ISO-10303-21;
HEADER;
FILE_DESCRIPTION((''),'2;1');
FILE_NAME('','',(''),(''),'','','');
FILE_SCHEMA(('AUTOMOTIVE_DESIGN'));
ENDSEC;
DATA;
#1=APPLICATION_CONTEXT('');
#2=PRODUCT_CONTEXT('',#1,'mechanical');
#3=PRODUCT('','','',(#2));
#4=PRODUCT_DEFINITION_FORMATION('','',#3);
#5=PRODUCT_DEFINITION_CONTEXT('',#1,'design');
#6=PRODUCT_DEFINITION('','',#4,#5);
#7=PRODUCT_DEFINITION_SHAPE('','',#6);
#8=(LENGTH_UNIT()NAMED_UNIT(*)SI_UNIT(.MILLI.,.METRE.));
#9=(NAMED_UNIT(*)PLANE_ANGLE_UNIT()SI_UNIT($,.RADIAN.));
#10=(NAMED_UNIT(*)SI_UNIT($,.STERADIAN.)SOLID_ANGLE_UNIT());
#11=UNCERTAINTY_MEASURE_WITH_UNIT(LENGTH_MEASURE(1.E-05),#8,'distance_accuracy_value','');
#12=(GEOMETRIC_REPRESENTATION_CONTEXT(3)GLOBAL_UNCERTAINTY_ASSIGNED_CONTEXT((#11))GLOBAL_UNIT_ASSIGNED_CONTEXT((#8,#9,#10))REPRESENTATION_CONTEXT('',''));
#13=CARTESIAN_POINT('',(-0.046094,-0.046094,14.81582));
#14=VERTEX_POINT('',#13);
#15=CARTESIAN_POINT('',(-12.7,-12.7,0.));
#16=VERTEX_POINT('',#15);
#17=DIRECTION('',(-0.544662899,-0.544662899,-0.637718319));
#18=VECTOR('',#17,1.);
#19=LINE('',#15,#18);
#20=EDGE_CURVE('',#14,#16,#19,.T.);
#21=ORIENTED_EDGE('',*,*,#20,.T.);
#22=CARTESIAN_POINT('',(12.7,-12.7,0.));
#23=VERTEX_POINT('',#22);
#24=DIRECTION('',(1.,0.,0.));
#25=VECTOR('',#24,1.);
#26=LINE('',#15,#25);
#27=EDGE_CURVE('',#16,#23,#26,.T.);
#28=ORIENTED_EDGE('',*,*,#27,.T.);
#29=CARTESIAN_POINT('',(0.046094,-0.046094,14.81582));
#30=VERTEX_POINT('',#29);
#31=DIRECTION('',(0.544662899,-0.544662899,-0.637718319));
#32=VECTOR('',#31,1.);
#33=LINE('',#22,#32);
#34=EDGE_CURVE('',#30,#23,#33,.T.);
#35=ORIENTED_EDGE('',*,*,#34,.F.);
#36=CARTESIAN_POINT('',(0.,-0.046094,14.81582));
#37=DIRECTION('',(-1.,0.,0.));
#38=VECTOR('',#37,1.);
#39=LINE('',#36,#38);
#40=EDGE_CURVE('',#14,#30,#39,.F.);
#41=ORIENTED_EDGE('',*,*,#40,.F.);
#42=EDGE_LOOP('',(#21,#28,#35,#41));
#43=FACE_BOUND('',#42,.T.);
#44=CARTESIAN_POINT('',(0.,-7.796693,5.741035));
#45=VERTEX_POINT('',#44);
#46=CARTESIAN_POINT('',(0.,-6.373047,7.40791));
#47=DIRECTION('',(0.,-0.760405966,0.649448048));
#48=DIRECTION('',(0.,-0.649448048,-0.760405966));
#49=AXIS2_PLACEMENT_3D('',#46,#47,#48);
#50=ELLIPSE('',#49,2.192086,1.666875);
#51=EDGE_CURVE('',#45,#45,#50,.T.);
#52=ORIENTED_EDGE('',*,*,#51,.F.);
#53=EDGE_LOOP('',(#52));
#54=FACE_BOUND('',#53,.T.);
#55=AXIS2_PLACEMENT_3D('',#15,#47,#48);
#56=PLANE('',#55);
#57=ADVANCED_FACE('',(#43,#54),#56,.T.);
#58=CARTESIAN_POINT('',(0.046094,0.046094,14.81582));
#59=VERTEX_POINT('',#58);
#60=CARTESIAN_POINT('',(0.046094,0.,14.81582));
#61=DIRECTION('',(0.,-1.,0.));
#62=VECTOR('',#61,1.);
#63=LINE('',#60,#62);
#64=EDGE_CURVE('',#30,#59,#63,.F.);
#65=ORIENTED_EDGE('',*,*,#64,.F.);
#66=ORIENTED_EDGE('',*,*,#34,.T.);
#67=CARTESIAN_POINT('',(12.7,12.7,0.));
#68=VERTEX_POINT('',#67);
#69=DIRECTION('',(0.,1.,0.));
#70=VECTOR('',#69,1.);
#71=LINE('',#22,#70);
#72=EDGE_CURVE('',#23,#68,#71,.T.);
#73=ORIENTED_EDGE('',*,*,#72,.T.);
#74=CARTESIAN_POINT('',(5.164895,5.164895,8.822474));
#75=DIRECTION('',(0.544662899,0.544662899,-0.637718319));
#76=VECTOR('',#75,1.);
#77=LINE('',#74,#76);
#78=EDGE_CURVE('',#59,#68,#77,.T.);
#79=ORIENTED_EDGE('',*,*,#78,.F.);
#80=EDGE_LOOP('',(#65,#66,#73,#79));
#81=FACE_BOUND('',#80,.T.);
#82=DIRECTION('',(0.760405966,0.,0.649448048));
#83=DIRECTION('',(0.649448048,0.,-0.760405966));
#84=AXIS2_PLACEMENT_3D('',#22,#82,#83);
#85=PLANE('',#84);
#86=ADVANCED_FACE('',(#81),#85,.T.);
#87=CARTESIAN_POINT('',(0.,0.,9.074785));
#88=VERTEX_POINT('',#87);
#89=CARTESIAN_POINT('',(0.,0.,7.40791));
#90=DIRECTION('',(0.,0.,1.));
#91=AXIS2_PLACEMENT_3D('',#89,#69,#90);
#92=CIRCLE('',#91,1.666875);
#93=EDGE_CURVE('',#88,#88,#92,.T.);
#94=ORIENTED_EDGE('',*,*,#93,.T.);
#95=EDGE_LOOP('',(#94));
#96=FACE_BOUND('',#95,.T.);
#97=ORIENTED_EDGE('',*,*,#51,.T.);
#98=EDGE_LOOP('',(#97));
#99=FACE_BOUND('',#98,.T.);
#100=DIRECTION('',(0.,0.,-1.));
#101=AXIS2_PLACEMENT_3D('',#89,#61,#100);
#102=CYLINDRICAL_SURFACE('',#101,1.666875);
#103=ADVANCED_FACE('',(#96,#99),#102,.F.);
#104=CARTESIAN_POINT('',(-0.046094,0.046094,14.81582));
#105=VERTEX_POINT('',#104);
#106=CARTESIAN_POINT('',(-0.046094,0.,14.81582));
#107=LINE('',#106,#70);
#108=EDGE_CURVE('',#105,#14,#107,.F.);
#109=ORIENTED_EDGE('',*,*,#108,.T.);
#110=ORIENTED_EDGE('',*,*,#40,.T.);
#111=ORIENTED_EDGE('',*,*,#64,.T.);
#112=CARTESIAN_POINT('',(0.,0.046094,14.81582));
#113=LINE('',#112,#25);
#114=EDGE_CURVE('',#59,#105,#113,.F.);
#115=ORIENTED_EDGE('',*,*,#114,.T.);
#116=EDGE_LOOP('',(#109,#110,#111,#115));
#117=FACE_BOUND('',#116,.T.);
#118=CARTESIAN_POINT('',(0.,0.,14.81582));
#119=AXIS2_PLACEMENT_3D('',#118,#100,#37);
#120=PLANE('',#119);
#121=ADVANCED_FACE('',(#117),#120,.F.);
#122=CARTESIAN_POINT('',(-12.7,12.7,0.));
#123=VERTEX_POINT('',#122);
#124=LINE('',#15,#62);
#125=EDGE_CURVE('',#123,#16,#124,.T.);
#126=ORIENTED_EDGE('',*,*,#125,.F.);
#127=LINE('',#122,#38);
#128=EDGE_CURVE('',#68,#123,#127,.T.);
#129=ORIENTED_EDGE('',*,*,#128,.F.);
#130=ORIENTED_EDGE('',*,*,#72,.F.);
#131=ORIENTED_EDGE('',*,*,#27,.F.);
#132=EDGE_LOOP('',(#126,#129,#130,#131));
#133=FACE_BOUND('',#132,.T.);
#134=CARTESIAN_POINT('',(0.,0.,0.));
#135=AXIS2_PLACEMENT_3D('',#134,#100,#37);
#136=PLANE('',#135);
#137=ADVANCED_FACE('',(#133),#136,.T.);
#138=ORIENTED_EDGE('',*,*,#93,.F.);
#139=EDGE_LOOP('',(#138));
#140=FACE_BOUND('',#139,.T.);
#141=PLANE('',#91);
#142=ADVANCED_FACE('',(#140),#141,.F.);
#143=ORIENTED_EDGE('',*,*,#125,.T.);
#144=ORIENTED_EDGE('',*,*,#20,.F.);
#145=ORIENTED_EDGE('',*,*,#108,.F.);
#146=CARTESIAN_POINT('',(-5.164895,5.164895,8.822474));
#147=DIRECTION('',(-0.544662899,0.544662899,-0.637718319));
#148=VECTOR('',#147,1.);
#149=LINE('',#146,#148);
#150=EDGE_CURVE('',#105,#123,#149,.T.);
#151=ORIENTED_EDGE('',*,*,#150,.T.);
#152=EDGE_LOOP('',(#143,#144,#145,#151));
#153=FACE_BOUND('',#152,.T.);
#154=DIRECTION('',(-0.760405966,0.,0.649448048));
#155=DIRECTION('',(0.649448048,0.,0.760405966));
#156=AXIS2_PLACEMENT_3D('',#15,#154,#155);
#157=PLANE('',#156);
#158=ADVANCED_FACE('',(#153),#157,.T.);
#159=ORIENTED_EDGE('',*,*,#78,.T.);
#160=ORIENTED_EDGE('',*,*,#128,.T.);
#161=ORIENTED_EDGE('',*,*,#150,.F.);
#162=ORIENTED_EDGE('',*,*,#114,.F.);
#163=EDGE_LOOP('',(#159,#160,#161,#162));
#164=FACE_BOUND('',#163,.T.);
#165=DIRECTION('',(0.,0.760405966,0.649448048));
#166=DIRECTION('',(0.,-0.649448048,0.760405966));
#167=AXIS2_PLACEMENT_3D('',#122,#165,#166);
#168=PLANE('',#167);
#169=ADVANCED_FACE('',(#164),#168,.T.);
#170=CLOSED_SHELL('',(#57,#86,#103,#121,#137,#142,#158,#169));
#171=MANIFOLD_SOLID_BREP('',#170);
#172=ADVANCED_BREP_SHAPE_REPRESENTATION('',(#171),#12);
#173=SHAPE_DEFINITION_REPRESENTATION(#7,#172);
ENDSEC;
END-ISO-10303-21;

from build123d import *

# Parameters (mm, degrees)
ESQUISSE1_W             = 25.4
ESQUISSE1_H             = 25.4
BOSS_EXTRU_1_DEPTH      = 14.81582
BOSS_EXTRU_1_TAPER      = 40.5
ESQUISSE2_R             = 1.666875
ENL_V_MAT_EXTRU_1_DEPTH = 12.7


with BuildPart() as part:
    # Esquisse1 → Boss.-Extru.1 (new body)
    with BuildSketch(Plane.XY):
        Rectangle(ESQUISSE1_W, ESQUISSE1_H)
    extrude(amount=BOSS_EXTRU_1_DEPTH, taper=BOSS_EXTRU_1_TAPER)

    # Esquisse2 → Enlèv. mat.-Extru.1 (cut)
    with BuildSketch(Plane(origin=(0, -12.7, 0), x_dir=(1, 0, 0), z_dir=(0, 1, 0))):
        with Locations(Location((0, -7.40791, 0), (0, 0, 90))):
            Circle(ESQUISSE2_R)
    extrude(amount=ENL_V_MAT_EXTRU_1_DEPTH, mode=Mode.SUBTRACT)


solid = part.part
